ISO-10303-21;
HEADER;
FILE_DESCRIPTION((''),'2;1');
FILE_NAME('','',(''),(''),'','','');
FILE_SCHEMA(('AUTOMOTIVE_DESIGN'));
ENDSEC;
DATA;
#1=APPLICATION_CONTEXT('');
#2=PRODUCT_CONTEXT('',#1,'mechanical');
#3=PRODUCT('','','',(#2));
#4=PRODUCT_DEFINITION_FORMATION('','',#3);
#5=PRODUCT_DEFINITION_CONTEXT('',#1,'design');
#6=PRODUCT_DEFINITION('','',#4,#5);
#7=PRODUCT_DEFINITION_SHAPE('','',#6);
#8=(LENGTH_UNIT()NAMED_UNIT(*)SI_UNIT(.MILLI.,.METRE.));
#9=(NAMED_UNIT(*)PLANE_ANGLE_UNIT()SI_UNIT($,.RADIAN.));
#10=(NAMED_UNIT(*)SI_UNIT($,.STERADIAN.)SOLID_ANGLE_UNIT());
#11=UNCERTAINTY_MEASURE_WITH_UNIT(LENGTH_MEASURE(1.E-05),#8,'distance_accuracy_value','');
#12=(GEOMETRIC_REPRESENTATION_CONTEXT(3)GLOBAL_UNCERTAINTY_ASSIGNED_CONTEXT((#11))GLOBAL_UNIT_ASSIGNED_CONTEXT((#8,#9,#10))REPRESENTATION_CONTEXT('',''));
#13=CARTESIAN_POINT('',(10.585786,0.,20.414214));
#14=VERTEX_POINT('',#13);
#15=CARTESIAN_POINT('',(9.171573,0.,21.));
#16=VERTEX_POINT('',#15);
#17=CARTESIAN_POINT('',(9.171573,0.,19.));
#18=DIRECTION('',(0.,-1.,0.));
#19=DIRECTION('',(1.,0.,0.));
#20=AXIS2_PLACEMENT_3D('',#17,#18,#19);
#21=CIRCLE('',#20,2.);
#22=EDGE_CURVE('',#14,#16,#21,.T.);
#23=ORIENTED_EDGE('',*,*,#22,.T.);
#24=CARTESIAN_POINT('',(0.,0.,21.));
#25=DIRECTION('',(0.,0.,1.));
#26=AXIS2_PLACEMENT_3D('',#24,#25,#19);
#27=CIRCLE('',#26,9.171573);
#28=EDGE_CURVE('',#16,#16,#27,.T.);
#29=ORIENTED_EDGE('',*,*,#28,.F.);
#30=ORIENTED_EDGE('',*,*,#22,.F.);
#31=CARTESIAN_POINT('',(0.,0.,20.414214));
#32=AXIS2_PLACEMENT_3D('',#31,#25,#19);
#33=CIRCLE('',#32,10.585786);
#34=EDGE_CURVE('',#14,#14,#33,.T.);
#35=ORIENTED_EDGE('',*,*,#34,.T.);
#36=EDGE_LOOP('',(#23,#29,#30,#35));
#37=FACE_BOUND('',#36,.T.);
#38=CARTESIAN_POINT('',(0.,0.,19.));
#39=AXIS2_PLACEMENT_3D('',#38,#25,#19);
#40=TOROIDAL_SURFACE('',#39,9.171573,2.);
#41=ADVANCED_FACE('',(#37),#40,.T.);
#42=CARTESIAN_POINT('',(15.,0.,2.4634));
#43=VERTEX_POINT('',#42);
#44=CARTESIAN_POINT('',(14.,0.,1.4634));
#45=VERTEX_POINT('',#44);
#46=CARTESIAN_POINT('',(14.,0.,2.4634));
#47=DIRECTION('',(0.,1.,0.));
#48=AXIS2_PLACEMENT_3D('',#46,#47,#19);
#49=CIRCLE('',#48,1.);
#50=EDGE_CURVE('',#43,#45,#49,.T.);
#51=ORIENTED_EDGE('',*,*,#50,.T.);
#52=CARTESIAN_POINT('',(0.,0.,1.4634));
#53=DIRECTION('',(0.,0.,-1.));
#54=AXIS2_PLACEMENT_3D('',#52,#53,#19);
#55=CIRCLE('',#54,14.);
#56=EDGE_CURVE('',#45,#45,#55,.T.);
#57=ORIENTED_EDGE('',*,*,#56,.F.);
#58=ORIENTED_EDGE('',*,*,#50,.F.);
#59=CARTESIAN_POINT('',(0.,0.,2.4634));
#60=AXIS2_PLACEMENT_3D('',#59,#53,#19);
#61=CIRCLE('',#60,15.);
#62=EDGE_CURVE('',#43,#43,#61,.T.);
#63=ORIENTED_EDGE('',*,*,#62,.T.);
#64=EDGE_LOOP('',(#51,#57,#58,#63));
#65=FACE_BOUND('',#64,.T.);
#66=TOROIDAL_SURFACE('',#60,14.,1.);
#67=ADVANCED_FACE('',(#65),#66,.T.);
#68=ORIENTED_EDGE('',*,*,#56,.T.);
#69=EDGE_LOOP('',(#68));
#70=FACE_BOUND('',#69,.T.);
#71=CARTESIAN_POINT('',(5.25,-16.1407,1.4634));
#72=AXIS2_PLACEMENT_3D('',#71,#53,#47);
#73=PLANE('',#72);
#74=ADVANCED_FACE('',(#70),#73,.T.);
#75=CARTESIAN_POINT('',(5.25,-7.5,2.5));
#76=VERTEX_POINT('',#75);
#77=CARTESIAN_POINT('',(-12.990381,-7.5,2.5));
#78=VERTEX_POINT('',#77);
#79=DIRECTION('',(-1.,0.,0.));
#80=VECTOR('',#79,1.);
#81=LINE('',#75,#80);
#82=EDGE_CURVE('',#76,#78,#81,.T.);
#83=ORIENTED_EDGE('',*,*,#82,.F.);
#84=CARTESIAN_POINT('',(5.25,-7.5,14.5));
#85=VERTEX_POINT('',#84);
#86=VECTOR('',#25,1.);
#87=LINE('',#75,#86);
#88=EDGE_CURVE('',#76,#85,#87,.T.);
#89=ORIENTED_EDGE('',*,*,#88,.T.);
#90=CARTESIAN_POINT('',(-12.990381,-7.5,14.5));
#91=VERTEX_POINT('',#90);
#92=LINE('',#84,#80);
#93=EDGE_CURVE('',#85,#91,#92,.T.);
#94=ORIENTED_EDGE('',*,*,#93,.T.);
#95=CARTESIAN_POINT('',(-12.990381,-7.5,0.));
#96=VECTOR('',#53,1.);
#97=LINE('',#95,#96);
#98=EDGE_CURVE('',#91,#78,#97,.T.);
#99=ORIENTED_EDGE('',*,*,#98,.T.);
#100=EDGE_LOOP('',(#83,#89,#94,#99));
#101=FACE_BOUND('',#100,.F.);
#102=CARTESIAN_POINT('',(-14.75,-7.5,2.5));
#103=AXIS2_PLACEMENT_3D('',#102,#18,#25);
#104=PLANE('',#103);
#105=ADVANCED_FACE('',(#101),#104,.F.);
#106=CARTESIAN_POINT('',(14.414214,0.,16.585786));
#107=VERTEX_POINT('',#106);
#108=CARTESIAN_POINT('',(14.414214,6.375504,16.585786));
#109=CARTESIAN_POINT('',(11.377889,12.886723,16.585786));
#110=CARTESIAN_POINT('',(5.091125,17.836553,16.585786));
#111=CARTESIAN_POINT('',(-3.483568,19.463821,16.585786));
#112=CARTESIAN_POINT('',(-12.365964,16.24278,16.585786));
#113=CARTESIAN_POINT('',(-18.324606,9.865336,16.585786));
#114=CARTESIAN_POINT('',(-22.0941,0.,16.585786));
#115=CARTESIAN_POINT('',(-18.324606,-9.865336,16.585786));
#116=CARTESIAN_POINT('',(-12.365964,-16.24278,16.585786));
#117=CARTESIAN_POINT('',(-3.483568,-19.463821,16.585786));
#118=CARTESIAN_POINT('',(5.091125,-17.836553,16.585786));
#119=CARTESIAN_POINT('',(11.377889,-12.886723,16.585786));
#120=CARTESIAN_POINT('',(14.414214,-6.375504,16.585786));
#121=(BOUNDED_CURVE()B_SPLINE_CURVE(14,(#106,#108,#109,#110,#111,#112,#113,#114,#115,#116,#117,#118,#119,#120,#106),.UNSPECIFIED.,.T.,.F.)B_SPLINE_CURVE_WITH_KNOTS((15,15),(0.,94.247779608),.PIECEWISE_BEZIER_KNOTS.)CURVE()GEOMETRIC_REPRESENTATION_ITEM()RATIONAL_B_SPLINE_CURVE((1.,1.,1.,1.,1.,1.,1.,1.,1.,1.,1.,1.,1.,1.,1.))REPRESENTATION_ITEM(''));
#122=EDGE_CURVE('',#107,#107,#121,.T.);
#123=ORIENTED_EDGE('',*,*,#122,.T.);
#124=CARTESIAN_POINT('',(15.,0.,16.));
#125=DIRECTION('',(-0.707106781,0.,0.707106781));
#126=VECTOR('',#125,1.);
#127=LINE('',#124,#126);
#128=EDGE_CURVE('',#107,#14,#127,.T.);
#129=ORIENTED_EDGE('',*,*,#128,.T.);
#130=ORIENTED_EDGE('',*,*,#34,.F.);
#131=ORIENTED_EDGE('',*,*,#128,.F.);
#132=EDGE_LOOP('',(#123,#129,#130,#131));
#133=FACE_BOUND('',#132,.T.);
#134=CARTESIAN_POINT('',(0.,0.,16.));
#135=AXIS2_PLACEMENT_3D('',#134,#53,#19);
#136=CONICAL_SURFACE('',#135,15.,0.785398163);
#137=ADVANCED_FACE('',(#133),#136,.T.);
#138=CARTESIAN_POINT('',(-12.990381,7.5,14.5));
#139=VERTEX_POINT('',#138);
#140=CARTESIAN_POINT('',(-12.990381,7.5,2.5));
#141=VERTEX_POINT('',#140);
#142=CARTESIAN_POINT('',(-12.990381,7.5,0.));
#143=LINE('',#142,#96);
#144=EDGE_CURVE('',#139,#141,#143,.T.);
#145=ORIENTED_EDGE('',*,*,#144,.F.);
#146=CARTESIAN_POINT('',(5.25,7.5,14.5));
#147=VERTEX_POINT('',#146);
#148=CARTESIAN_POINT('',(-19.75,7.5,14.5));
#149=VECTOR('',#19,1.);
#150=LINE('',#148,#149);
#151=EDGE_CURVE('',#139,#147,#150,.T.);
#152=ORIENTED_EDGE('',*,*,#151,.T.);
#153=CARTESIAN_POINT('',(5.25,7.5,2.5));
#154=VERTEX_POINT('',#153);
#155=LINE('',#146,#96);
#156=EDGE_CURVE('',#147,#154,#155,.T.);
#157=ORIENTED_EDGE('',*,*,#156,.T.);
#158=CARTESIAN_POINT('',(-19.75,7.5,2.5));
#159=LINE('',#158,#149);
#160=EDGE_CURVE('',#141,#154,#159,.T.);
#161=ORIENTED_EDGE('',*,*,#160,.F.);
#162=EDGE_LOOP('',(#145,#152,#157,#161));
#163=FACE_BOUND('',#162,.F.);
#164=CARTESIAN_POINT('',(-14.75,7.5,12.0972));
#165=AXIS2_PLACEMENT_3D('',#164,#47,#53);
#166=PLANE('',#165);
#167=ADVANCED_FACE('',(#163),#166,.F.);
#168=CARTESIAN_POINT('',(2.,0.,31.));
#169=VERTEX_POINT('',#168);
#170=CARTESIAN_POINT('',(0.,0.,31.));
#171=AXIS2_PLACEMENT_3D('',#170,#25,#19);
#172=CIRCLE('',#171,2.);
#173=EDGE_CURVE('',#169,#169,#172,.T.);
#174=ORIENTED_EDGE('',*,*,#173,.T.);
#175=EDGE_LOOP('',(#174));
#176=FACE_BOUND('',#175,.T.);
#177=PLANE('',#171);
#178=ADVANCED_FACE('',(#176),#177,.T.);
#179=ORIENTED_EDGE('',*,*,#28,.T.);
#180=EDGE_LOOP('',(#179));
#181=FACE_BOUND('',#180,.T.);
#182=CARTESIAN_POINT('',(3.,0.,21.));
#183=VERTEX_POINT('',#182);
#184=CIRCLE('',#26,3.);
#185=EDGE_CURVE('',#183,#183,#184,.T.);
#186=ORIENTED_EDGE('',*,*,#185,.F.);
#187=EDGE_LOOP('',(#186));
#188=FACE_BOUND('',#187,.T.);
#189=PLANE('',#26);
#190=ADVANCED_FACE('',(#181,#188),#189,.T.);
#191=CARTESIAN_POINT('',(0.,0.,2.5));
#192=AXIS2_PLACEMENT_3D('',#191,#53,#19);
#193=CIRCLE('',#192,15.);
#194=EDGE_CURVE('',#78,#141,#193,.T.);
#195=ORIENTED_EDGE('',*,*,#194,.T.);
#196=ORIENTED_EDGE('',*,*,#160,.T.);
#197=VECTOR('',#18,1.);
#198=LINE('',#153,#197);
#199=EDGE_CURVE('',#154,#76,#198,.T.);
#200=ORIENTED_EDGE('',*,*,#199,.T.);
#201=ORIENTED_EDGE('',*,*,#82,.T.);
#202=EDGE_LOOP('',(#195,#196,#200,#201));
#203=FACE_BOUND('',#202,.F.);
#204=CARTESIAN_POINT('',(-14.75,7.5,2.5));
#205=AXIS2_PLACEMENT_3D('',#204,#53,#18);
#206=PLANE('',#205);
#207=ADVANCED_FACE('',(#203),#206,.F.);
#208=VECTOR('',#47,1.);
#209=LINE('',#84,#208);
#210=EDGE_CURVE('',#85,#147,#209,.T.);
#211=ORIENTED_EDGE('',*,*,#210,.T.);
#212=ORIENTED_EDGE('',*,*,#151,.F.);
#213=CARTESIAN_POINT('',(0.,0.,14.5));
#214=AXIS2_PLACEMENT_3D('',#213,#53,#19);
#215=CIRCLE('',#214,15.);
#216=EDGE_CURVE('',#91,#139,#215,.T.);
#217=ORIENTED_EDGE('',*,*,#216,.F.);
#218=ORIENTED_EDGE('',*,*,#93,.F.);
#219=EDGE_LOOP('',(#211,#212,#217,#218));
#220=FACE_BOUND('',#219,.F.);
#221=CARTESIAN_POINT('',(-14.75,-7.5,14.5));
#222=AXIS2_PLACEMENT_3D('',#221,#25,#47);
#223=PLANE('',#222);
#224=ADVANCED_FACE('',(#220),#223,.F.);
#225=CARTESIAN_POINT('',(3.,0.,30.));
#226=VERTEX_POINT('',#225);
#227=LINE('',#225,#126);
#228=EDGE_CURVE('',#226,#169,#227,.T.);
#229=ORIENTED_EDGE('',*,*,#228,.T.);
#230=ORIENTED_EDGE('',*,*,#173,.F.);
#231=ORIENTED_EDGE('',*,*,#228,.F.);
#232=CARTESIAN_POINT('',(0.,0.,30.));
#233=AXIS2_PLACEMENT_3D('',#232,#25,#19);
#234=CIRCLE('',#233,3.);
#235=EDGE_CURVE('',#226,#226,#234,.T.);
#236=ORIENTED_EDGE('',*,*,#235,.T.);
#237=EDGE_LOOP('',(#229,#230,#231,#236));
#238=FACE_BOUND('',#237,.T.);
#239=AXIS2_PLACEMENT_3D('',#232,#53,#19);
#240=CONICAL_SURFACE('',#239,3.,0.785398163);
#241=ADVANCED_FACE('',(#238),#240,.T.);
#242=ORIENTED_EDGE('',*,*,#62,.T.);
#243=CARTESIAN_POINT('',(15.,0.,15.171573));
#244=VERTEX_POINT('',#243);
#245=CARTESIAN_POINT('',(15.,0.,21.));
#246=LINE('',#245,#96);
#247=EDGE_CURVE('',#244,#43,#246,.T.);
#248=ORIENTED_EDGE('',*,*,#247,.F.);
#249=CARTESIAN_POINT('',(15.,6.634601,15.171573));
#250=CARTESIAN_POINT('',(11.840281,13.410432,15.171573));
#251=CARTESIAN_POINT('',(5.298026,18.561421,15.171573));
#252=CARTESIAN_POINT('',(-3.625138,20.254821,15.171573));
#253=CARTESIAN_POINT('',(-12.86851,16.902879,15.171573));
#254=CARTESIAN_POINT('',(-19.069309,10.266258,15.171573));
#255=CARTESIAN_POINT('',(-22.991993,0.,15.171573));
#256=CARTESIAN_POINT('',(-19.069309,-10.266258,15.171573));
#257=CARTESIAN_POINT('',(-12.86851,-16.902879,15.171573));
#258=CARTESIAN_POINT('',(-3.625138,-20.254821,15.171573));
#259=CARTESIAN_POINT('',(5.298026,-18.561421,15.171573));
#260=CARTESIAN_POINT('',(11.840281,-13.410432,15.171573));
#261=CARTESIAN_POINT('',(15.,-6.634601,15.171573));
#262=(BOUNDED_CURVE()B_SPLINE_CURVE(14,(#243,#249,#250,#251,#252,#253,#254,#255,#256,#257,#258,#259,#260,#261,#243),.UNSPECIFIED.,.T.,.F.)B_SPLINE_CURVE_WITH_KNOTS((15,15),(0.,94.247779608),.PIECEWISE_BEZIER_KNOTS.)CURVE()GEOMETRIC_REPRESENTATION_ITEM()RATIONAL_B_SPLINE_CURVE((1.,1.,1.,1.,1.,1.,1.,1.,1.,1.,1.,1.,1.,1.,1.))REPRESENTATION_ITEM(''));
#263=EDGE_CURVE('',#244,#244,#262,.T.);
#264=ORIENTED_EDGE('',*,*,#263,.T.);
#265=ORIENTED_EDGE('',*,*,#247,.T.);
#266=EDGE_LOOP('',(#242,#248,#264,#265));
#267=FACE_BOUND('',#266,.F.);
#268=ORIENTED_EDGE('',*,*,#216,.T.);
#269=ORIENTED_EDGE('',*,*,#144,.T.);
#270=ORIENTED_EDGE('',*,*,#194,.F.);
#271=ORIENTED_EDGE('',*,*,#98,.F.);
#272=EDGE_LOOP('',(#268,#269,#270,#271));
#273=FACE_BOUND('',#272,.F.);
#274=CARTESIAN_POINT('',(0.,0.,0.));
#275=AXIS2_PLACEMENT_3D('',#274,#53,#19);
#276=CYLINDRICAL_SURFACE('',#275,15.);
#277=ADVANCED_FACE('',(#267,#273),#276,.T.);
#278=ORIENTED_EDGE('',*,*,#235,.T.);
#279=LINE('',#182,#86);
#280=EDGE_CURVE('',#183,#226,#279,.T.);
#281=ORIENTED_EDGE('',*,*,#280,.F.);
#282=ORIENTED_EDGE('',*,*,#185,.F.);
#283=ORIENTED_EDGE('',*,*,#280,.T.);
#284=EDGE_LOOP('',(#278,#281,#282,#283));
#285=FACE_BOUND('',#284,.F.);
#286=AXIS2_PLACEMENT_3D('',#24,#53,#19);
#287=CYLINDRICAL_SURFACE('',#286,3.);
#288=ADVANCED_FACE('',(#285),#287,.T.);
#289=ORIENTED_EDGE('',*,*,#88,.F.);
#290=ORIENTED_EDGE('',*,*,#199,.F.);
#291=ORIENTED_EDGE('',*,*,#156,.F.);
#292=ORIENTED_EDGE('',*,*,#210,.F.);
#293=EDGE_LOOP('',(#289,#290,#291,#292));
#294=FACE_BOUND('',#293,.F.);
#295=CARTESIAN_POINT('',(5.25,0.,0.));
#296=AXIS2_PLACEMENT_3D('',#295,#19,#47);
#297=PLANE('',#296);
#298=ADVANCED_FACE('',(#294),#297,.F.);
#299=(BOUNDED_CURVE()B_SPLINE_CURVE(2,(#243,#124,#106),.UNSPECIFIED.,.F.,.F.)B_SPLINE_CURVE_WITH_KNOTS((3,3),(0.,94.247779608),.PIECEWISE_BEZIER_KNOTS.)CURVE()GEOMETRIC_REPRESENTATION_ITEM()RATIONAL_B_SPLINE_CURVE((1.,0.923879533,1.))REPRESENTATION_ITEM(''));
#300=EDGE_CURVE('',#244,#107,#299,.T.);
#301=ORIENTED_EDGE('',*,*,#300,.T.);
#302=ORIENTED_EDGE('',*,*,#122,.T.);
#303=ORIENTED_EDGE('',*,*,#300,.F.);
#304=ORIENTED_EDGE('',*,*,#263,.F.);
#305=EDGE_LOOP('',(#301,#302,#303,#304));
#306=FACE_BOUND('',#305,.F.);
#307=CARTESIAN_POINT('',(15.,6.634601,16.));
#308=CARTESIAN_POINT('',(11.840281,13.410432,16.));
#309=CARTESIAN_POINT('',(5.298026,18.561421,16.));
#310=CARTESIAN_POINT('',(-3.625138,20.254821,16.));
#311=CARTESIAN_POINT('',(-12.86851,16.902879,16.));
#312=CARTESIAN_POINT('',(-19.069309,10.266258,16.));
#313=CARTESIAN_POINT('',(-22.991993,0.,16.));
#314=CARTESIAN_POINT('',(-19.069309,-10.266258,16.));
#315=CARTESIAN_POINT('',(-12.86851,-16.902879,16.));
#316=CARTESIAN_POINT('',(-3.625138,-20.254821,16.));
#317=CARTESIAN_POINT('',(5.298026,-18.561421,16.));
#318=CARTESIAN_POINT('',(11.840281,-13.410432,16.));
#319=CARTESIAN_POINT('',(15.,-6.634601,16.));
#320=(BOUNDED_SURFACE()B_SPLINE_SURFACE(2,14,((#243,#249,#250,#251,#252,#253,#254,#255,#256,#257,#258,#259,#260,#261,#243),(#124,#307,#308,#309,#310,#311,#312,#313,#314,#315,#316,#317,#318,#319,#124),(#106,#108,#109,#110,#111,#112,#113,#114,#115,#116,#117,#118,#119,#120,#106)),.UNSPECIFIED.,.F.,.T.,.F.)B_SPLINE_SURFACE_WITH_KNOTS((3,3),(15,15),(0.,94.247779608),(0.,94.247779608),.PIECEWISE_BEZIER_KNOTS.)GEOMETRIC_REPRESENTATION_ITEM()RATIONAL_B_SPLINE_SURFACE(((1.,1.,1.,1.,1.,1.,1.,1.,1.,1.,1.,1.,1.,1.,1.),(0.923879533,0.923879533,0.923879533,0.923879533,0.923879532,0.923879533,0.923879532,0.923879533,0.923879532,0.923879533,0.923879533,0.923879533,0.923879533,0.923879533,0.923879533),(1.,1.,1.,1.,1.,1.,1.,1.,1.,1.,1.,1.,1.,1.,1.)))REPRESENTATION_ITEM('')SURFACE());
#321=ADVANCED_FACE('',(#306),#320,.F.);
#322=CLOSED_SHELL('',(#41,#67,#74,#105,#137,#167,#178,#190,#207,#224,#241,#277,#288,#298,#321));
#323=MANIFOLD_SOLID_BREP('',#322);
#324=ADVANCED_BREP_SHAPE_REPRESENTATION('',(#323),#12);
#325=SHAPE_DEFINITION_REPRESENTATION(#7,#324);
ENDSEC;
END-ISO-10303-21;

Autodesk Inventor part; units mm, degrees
ref_plane "XY Plane" through (0, 0, 0) normal (0, 0, 1) x (1, 0, 0)
sketch "Sketch1" plane through (0, 0, 0) normal (0, 0, 1) x (1, 0, 0)
  circle A0 centre (0, 0) radius 15
  dimension "d0" = 30
extrude "Extrusion1" add sketch "Sketch1" along normal blind 20
sketch "Sketch3" plane through (0, 0, 20) normal (0, 0, 1) x (1, 0, 0)
  circle A0 centre (0, 0) radius 15
extrude "Extrusion3" add sketch "Sketch3" along normal blind 1
chamfer "Chamfer1" distance 5 angle 45 1 edges at (-15, 0, 21)
fillet "Fillet1" radius 2 2 edges at (-15, 0, 16) (-10, 0, 21)
sketch "Sketch4" plane through (0, 0, 21) normal (0, 0, 1) x (1, 0, 0)
  circle A0 centre (0, 0) radius 3
  dimension "d12" = 6
extrude "Extrusion4" add sketch "Sketch4" along normal blind 10
chamfer "Chamfer2" distance 1 angle 45 1 edges at (-3, 0, 31)
fillet "Fillet2" radius 1 1 edges at (-15, 0, 0)
ref_plane "Work Plane2" through (0, 14.5, 0) normal (0, 1, 0) x (-1, 0, 0)
ref_plane "Work Plane1" through (0, -15.5, 0) normal (0, 1, 0) x (-1, 0, 0)
ref_plane "Work Plane3" through (-14.75, 0, 0) normal (1, 0, 0) x (0, 1, 0)
sketch "Sketch5" plane through (-14.75, 0, 0) normal (1, 0, 0) x (0, 1, 0)
  line L0 (7.5, 2.5) -> (-7.5, 2.5)
  line L1 (-7.5, 2.5) -> (-7.5, 14.5)
  line L2 (-7.5, 14.5) -> (7.5, 14.5)
  line L3 (7.5, 14.5) -> (7.5, 2.5)
  line L4 (9.8328, 18.3373) -> (9.8328, 18.1192)
  line L5 (7.5, 12.0972) -> (7.5, 12.3154)
  line L6 (-15, 1) -> (15, 1) projected
  line L7 (15, 1) -> (15, 15.1716) projected
  line L8 (-15, 1) -> (15, 1)
  line L9 (15, 1) -> (15, 15.1716)
  line L10 (15, 15.1716) -> (-15, 15.1716)
  line L11 (-15, 15.1716) -> (-15, 1)
  line L12 (15, 15.1716) -> (-15, 15.1716) projected
  point P0 (0, 0)
  dimension "d28" = 15
  dimension "d29" = 12
  dimension "d30" = 7.5
  dimension "d31" = 7.5
  dimension "d32" = 1.5
  dimension "d34" = 0
extrude "Extrusion5" cut sketch "Sketch5" along normal blind 20 and the other way blind 5 contours L0 L1 L2 L3
thread "Thread1" size "M6x1" class "6g" standard "ANSI Metric M Profile" full length
sketch "Sketch6" plane through (5.25, 0, 0) normal (-1, 0, 0) x (0, 0, 1)
  line L0 (0, -16.1407) -> (1.4634, -16.1407)
  line L1 (1.4634, -16.1407) -> (1.4634, 17.2598)
  line L2 (1.4634, 17.2598) -> (0, 17.2598)
  line L3 (0, 17.2598) -> (0, -16.1407)
  point P0 (0, 0)
extrude "Extrusion6" cut sketch "Sketch6" along normal through all both and the other way through all
fillet "Fillet3" radius 1 1 edges at (-15, 0, 1.4634)
properties part number "Motor" material "UHMW, Black"
